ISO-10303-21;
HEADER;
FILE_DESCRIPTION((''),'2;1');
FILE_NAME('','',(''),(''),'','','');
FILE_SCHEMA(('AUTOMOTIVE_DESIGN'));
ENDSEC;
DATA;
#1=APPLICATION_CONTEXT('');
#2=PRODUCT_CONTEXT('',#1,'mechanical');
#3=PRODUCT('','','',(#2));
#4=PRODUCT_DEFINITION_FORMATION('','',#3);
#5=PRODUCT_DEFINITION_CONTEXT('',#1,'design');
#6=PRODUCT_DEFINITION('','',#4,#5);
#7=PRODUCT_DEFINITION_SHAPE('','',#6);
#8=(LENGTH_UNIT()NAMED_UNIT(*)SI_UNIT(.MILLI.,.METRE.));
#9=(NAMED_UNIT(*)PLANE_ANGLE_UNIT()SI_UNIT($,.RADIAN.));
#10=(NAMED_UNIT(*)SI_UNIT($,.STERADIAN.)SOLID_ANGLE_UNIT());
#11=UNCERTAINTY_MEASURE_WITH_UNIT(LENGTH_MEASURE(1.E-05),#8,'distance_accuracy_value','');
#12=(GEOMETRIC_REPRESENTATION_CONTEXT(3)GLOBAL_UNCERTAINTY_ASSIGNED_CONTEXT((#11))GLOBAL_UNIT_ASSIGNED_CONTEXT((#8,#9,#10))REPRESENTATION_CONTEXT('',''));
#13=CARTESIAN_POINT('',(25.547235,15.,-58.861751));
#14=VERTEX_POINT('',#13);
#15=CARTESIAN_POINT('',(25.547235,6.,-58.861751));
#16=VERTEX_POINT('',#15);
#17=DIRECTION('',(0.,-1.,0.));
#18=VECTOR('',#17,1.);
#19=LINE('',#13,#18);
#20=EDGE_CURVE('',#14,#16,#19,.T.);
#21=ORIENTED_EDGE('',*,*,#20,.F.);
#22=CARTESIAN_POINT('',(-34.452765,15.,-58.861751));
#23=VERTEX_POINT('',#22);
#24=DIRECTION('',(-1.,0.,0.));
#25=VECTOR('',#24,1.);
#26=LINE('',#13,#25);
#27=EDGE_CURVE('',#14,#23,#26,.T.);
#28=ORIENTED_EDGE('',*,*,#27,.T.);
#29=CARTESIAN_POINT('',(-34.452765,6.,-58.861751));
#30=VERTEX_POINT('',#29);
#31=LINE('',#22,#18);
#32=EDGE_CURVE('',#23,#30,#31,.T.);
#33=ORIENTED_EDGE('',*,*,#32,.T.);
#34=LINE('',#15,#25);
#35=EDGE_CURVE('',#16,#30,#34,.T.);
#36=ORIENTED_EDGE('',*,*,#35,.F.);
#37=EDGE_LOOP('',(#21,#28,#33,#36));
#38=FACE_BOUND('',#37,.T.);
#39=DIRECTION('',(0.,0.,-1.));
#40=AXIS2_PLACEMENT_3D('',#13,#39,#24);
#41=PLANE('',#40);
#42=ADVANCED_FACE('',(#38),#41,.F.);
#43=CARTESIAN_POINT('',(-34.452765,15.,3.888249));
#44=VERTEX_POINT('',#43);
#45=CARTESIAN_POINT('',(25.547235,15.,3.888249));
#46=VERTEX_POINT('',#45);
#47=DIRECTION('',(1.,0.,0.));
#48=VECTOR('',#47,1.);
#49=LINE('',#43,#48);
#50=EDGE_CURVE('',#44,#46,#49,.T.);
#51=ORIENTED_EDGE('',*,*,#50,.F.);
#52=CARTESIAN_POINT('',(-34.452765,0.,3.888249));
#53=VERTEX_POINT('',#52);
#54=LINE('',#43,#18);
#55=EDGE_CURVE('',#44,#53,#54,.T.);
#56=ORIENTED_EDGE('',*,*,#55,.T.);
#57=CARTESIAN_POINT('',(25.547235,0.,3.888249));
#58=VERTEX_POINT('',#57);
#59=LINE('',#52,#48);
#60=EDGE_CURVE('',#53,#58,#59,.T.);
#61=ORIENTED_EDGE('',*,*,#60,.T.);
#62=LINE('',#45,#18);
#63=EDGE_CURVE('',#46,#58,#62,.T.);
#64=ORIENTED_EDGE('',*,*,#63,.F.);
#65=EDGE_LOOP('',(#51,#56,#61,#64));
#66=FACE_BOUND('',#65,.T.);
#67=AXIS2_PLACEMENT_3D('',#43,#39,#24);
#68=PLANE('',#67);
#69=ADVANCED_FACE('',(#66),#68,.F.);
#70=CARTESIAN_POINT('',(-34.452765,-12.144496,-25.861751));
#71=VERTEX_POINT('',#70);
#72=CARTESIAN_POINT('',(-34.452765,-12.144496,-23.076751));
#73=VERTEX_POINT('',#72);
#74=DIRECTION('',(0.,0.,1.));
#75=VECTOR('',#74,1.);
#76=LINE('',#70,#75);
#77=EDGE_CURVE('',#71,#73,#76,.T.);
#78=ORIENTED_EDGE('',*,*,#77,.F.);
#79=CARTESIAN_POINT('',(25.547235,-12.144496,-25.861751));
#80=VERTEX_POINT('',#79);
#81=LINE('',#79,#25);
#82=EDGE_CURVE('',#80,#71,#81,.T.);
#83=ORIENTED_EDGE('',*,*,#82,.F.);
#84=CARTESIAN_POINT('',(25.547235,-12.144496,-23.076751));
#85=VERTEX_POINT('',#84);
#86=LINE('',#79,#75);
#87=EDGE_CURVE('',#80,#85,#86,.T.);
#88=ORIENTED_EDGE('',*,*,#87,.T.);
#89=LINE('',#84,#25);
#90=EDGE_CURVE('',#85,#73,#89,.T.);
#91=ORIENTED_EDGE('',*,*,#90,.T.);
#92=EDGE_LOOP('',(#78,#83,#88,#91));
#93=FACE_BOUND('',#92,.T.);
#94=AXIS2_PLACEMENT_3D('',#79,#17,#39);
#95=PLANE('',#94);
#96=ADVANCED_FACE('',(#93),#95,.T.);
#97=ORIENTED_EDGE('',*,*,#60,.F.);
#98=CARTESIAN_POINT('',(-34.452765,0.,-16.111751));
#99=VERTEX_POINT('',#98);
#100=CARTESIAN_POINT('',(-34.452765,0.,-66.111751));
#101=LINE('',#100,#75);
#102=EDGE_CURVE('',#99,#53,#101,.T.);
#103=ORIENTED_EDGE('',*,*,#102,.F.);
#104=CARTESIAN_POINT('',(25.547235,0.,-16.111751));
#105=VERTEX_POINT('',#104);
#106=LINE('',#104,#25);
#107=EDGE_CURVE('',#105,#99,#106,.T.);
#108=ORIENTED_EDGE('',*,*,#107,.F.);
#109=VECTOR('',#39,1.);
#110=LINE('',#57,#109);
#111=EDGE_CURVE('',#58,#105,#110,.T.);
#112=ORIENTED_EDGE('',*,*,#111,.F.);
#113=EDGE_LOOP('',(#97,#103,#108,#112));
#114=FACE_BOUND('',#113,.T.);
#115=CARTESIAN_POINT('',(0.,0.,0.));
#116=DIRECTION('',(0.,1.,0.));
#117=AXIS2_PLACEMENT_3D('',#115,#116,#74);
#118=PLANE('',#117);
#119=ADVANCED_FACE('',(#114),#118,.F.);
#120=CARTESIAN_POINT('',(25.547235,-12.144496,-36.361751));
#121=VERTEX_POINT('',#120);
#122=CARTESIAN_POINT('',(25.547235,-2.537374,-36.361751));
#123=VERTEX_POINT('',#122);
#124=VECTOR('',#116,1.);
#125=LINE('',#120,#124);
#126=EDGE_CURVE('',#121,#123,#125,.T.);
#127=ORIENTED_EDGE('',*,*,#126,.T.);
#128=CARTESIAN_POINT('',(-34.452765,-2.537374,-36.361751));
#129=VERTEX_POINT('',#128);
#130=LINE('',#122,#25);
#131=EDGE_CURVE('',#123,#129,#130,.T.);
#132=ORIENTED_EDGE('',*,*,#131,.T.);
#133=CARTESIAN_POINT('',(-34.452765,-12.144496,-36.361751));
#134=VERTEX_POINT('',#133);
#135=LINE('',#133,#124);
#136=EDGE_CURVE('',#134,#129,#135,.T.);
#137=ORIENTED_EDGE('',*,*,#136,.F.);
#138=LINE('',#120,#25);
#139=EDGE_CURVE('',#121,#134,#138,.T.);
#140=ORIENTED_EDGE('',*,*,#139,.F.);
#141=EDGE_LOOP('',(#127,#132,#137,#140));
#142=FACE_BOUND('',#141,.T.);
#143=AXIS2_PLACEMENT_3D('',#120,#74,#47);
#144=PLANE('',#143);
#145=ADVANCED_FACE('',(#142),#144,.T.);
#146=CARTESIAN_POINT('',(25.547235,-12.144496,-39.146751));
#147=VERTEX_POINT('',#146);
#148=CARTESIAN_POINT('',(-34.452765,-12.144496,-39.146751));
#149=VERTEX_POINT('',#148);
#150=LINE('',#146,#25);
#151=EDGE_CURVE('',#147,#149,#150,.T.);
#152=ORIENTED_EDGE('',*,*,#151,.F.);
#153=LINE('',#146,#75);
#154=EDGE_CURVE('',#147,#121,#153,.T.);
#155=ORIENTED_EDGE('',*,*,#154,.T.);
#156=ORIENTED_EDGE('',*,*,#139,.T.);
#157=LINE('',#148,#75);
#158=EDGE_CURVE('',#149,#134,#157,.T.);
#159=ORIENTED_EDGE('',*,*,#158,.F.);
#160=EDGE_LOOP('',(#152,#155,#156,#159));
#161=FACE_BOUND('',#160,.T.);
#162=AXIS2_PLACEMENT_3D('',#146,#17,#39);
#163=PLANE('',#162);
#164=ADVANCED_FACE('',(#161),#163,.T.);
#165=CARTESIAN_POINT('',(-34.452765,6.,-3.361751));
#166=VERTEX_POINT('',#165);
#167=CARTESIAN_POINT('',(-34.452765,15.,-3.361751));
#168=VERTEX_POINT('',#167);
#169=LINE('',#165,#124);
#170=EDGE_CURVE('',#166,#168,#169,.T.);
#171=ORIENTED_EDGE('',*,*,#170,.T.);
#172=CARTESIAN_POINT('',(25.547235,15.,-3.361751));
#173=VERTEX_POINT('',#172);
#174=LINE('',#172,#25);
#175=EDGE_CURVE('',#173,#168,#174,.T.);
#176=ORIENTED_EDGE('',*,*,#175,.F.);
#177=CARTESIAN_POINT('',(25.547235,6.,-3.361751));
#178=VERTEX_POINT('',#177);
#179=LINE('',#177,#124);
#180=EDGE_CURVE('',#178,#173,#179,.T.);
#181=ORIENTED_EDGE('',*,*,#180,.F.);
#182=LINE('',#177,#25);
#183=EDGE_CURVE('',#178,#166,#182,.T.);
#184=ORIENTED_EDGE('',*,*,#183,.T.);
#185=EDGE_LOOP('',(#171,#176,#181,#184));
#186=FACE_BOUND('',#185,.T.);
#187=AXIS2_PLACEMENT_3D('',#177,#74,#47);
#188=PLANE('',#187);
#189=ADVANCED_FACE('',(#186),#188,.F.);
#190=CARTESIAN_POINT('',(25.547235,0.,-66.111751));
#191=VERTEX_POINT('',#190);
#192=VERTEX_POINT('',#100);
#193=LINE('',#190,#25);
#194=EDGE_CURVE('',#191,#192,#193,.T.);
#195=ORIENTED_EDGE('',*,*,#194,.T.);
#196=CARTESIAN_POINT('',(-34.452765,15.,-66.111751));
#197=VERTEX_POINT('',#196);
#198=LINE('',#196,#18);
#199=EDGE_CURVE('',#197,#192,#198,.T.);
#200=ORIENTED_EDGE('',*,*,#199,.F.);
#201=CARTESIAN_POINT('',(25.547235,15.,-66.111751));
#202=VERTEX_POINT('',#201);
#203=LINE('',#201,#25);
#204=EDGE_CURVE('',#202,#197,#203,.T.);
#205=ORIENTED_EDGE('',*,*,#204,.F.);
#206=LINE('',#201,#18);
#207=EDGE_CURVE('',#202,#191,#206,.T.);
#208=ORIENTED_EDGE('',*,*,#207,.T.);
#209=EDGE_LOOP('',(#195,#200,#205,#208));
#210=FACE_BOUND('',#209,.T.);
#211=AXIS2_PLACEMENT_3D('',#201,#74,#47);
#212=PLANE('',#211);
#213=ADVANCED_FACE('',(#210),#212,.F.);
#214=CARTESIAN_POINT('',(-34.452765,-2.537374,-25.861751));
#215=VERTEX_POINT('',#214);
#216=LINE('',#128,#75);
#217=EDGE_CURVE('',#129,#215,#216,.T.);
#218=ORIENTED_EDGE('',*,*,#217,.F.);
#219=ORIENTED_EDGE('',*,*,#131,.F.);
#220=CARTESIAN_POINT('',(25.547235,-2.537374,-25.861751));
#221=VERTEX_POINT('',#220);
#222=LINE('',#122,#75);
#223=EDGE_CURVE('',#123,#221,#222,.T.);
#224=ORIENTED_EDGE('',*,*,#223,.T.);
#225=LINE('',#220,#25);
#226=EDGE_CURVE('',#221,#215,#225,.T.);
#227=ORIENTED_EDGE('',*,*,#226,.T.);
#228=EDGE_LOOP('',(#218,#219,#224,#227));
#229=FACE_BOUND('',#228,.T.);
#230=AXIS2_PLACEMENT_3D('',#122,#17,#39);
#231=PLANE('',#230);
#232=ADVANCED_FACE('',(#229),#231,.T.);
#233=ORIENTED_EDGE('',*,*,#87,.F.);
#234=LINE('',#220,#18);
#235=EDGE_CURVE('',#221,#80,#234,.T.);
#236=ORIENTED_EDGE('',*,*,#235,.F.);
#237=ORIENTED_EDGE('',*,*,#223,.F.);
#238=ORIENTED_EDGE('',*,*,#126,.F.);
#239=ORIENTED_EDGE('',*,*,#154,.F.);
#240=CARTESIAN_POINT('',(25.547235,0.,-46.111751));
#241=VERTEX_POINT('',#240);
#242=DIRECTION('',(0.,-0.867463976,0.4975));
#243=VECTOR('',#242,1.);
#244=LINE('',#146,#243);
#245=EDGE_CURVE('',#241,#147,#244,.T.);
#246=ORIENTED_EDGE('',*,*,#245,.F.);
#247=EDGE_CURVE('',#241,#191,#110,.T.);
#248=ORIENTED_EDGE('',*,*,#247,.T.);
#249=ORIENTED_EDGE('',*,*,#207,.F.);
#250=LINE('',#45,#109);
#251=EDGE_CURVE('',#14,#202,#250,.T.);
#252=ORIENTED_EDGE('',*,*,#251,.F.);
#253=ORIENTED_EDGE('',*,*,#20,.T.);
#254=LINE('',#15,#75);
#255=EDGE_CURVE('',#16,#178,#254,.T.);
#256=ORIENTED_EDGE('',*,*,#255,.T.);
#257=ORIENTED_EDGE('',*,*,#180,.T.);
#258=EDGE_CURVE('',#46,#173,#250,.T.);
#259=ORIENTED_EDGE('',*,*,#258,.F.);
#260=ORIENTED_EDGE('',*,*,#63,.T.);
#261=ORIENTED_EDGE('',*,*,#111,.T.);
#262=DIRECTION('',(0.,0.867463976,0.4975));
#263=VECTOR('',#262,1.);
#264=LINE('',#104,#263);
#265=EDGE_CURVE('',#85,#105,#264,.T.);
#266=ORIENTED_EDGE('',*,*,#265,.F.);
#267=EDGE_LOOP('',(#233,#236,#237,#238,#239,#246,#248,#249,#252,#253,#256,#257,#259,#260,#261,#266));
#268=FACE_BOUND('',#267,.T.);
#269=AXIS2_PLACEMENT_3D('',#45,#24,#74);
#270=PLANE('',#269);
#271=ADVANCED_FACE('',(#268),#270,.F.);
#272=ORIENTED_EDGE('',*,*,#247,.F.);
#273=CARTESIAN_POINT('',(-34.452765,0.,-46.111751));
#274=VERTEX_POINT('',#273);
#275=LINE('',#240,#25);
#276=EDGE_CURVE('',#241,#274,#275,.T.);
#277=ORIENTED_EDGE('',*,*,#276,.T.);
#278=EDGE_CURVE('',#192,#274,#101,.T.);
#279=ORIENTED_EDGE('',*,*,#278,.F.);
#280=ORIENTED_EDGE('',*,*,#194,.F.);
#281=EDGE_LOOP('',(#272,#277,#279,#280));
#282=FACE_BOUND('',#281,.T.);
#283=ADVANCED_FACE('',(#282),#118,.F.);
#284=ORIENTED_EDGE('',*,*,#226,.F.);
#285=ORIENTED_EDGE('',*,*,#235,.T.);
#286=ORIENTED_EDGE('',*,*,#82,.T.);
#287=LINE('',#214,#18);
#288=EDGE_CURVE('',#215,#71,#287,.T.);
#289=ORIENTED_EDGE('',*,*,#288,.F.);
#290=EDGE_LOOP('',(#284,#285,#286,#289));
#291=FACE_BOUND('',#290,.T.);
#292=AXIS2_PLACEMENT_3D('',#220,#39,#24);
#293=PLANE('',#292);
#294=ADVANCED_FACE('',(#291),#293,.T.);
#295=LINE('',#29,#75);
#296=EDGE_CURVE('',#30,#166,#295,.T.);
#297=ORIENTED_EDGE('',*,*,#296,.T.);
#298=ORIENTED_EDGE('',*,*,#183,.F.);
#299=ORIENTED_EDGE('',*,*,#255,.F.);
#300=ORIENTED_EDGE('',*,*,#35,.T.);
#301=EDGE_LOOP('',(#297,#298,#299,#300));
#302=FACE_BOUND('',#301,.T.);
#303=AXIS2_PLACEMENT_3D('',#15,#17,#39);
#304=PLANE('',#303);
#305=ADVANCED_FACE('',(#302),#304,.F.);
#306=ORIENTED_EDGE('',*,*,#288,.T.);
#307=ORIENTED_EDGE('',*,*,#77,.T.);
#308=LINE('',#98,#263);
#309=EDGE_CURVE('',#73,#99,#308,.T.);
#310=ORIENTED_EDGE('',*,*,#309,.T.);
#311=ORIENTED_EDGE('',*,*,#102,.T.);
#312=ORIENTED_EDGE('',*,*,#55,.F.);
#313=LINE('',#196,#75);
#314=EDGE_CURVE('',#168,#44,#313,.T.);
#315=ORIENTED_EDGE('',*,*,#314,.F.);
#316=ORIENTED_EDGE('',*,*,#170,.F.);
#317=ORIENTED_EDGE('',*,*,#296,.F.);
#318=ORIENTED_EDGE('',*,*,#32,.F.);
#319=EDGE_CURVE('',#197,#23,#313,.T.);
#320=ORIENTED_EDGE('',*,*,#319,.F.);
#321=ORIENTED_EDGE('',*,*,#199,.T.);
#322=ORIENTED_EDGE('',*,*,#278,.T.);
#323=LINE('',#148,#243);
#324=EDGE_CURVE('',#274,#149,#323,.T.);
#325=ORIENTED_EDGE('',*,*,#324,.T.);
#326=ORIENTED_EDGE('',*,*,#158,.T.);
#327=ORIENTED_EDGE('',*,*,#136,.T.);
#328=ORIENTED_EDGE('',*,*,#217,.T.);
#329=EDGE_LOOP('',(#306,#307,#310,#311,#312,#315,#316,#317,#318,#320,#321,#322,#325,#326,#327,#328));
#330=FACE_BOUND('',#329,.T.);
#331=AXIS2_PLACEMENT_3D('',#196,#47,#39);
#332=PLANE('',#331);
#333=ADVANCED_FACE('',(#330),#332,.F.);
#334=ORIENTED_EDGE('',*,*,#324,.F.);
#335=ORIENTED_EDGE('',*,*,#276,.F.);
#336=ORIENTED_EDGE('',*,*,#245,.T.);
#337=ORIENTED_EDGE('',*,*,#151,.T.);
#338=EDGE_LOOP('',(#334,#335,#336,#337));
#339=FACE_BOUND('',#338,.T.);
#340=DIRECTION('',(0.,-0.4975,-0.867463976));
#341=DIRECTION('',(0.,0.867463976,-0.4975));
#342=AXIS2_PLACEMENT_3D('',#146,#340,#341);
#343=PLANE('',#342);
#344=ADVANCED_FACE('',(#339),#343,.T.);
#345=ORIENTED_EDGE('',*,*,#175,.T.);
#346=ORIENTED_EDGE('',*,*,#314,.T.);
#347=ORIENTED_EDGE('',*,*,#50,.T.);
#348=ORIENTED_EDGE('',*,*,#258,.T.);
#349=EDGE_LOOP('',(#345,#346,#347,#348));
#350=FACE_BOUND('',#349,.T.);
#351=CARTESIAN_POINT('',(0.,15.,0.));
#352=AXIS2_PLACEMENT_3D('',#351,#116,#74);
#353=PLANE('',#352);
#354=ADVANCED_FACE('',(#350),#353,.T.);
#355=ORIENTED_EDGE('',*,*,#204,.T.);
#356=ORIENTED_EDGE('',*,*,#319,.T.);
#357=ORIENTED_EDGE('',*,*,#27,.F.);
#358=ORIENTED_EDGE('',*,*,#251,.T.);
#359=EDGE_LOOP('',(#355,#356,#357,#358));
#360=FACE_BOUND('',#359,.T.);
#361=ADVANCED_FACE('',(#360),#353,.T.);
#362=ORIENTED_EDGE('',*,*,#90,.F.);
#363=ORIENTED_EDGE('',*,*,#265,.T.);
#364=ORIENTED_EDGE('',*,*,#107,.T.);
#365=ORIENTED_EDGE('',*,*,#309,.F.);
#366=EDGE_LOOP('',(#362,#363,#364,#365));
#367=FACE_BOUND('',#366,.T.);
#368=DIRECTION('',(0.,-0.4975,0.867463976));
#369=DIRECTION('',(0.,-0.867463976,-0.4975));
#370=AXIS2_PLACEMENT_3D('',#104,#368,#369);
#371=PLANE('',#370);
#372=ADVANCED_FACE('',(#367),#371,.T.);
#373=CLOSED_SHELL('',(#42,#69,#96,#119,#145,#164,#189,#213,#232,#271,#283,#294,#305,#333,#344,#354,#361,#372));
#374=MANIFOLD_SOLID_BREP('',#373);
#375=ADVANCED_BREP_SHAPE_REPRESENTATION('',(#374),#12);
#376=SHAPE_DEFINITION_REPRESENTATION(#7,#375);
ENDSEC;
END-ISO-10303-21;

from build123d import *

# Parameters (mm, degrees)
SKETCH_2_W          = 60
SKETCH_2_H          = 70
EXTRUDE_1_DEPTH     = 15
SKETCH_7_W          = 55.5
SKETCH_7_H          = 9
CUT_EXTRUDE_3_DEPTH = 91.530456977
EXTRUDE_3_DEPTH     = 60


with BuildPart() as part:
    # 草图2 → 凸台-拉伸1 (new body)
    with BuildSketch(Plane(origin=(0, 0, 0), x_dir=(1, 0, 0), z_dir=(0, 1, 0))):
        with Locations((-4.452764977, 31.111751152)):
            Rectangle(SKETCH_2_W, SKETCH_2_H)
    extrude(amount=EXTRUDE_1_DEPTH)

    # 草图7 → 切除-拉伸3 (cut, through all)
    with BuildSketch(Plane.ZY.offset(34.452764977)):
        with Locations((-31.111751152, 10.5)):
            Rectangle(SKETCH_7_W, SKETCH_7_H)
    extrude(amount=-CUT_EXTRUDE_3_DEPTH, mode=Mode.SUBTRACT)

    # 草图8 → 凸台-拉伸3 (add)
    with BuildSketch(Plane.ZY.offset(34.452764977)):
        Polygon((-46.111751152, 0), (-16.111751152, 0), (-23.076751152, -12.144495667), (-25.861751152, -12.144495667), (-25.861751152, -2.537373778), (-36.361751152, -2.537373778), (-36.361751152, -12.144495667), (-39.146751152, -12.144495667), align=None)
    extrude(amount=-EXTRUDE_3_DEPTH)


solid = part.part
